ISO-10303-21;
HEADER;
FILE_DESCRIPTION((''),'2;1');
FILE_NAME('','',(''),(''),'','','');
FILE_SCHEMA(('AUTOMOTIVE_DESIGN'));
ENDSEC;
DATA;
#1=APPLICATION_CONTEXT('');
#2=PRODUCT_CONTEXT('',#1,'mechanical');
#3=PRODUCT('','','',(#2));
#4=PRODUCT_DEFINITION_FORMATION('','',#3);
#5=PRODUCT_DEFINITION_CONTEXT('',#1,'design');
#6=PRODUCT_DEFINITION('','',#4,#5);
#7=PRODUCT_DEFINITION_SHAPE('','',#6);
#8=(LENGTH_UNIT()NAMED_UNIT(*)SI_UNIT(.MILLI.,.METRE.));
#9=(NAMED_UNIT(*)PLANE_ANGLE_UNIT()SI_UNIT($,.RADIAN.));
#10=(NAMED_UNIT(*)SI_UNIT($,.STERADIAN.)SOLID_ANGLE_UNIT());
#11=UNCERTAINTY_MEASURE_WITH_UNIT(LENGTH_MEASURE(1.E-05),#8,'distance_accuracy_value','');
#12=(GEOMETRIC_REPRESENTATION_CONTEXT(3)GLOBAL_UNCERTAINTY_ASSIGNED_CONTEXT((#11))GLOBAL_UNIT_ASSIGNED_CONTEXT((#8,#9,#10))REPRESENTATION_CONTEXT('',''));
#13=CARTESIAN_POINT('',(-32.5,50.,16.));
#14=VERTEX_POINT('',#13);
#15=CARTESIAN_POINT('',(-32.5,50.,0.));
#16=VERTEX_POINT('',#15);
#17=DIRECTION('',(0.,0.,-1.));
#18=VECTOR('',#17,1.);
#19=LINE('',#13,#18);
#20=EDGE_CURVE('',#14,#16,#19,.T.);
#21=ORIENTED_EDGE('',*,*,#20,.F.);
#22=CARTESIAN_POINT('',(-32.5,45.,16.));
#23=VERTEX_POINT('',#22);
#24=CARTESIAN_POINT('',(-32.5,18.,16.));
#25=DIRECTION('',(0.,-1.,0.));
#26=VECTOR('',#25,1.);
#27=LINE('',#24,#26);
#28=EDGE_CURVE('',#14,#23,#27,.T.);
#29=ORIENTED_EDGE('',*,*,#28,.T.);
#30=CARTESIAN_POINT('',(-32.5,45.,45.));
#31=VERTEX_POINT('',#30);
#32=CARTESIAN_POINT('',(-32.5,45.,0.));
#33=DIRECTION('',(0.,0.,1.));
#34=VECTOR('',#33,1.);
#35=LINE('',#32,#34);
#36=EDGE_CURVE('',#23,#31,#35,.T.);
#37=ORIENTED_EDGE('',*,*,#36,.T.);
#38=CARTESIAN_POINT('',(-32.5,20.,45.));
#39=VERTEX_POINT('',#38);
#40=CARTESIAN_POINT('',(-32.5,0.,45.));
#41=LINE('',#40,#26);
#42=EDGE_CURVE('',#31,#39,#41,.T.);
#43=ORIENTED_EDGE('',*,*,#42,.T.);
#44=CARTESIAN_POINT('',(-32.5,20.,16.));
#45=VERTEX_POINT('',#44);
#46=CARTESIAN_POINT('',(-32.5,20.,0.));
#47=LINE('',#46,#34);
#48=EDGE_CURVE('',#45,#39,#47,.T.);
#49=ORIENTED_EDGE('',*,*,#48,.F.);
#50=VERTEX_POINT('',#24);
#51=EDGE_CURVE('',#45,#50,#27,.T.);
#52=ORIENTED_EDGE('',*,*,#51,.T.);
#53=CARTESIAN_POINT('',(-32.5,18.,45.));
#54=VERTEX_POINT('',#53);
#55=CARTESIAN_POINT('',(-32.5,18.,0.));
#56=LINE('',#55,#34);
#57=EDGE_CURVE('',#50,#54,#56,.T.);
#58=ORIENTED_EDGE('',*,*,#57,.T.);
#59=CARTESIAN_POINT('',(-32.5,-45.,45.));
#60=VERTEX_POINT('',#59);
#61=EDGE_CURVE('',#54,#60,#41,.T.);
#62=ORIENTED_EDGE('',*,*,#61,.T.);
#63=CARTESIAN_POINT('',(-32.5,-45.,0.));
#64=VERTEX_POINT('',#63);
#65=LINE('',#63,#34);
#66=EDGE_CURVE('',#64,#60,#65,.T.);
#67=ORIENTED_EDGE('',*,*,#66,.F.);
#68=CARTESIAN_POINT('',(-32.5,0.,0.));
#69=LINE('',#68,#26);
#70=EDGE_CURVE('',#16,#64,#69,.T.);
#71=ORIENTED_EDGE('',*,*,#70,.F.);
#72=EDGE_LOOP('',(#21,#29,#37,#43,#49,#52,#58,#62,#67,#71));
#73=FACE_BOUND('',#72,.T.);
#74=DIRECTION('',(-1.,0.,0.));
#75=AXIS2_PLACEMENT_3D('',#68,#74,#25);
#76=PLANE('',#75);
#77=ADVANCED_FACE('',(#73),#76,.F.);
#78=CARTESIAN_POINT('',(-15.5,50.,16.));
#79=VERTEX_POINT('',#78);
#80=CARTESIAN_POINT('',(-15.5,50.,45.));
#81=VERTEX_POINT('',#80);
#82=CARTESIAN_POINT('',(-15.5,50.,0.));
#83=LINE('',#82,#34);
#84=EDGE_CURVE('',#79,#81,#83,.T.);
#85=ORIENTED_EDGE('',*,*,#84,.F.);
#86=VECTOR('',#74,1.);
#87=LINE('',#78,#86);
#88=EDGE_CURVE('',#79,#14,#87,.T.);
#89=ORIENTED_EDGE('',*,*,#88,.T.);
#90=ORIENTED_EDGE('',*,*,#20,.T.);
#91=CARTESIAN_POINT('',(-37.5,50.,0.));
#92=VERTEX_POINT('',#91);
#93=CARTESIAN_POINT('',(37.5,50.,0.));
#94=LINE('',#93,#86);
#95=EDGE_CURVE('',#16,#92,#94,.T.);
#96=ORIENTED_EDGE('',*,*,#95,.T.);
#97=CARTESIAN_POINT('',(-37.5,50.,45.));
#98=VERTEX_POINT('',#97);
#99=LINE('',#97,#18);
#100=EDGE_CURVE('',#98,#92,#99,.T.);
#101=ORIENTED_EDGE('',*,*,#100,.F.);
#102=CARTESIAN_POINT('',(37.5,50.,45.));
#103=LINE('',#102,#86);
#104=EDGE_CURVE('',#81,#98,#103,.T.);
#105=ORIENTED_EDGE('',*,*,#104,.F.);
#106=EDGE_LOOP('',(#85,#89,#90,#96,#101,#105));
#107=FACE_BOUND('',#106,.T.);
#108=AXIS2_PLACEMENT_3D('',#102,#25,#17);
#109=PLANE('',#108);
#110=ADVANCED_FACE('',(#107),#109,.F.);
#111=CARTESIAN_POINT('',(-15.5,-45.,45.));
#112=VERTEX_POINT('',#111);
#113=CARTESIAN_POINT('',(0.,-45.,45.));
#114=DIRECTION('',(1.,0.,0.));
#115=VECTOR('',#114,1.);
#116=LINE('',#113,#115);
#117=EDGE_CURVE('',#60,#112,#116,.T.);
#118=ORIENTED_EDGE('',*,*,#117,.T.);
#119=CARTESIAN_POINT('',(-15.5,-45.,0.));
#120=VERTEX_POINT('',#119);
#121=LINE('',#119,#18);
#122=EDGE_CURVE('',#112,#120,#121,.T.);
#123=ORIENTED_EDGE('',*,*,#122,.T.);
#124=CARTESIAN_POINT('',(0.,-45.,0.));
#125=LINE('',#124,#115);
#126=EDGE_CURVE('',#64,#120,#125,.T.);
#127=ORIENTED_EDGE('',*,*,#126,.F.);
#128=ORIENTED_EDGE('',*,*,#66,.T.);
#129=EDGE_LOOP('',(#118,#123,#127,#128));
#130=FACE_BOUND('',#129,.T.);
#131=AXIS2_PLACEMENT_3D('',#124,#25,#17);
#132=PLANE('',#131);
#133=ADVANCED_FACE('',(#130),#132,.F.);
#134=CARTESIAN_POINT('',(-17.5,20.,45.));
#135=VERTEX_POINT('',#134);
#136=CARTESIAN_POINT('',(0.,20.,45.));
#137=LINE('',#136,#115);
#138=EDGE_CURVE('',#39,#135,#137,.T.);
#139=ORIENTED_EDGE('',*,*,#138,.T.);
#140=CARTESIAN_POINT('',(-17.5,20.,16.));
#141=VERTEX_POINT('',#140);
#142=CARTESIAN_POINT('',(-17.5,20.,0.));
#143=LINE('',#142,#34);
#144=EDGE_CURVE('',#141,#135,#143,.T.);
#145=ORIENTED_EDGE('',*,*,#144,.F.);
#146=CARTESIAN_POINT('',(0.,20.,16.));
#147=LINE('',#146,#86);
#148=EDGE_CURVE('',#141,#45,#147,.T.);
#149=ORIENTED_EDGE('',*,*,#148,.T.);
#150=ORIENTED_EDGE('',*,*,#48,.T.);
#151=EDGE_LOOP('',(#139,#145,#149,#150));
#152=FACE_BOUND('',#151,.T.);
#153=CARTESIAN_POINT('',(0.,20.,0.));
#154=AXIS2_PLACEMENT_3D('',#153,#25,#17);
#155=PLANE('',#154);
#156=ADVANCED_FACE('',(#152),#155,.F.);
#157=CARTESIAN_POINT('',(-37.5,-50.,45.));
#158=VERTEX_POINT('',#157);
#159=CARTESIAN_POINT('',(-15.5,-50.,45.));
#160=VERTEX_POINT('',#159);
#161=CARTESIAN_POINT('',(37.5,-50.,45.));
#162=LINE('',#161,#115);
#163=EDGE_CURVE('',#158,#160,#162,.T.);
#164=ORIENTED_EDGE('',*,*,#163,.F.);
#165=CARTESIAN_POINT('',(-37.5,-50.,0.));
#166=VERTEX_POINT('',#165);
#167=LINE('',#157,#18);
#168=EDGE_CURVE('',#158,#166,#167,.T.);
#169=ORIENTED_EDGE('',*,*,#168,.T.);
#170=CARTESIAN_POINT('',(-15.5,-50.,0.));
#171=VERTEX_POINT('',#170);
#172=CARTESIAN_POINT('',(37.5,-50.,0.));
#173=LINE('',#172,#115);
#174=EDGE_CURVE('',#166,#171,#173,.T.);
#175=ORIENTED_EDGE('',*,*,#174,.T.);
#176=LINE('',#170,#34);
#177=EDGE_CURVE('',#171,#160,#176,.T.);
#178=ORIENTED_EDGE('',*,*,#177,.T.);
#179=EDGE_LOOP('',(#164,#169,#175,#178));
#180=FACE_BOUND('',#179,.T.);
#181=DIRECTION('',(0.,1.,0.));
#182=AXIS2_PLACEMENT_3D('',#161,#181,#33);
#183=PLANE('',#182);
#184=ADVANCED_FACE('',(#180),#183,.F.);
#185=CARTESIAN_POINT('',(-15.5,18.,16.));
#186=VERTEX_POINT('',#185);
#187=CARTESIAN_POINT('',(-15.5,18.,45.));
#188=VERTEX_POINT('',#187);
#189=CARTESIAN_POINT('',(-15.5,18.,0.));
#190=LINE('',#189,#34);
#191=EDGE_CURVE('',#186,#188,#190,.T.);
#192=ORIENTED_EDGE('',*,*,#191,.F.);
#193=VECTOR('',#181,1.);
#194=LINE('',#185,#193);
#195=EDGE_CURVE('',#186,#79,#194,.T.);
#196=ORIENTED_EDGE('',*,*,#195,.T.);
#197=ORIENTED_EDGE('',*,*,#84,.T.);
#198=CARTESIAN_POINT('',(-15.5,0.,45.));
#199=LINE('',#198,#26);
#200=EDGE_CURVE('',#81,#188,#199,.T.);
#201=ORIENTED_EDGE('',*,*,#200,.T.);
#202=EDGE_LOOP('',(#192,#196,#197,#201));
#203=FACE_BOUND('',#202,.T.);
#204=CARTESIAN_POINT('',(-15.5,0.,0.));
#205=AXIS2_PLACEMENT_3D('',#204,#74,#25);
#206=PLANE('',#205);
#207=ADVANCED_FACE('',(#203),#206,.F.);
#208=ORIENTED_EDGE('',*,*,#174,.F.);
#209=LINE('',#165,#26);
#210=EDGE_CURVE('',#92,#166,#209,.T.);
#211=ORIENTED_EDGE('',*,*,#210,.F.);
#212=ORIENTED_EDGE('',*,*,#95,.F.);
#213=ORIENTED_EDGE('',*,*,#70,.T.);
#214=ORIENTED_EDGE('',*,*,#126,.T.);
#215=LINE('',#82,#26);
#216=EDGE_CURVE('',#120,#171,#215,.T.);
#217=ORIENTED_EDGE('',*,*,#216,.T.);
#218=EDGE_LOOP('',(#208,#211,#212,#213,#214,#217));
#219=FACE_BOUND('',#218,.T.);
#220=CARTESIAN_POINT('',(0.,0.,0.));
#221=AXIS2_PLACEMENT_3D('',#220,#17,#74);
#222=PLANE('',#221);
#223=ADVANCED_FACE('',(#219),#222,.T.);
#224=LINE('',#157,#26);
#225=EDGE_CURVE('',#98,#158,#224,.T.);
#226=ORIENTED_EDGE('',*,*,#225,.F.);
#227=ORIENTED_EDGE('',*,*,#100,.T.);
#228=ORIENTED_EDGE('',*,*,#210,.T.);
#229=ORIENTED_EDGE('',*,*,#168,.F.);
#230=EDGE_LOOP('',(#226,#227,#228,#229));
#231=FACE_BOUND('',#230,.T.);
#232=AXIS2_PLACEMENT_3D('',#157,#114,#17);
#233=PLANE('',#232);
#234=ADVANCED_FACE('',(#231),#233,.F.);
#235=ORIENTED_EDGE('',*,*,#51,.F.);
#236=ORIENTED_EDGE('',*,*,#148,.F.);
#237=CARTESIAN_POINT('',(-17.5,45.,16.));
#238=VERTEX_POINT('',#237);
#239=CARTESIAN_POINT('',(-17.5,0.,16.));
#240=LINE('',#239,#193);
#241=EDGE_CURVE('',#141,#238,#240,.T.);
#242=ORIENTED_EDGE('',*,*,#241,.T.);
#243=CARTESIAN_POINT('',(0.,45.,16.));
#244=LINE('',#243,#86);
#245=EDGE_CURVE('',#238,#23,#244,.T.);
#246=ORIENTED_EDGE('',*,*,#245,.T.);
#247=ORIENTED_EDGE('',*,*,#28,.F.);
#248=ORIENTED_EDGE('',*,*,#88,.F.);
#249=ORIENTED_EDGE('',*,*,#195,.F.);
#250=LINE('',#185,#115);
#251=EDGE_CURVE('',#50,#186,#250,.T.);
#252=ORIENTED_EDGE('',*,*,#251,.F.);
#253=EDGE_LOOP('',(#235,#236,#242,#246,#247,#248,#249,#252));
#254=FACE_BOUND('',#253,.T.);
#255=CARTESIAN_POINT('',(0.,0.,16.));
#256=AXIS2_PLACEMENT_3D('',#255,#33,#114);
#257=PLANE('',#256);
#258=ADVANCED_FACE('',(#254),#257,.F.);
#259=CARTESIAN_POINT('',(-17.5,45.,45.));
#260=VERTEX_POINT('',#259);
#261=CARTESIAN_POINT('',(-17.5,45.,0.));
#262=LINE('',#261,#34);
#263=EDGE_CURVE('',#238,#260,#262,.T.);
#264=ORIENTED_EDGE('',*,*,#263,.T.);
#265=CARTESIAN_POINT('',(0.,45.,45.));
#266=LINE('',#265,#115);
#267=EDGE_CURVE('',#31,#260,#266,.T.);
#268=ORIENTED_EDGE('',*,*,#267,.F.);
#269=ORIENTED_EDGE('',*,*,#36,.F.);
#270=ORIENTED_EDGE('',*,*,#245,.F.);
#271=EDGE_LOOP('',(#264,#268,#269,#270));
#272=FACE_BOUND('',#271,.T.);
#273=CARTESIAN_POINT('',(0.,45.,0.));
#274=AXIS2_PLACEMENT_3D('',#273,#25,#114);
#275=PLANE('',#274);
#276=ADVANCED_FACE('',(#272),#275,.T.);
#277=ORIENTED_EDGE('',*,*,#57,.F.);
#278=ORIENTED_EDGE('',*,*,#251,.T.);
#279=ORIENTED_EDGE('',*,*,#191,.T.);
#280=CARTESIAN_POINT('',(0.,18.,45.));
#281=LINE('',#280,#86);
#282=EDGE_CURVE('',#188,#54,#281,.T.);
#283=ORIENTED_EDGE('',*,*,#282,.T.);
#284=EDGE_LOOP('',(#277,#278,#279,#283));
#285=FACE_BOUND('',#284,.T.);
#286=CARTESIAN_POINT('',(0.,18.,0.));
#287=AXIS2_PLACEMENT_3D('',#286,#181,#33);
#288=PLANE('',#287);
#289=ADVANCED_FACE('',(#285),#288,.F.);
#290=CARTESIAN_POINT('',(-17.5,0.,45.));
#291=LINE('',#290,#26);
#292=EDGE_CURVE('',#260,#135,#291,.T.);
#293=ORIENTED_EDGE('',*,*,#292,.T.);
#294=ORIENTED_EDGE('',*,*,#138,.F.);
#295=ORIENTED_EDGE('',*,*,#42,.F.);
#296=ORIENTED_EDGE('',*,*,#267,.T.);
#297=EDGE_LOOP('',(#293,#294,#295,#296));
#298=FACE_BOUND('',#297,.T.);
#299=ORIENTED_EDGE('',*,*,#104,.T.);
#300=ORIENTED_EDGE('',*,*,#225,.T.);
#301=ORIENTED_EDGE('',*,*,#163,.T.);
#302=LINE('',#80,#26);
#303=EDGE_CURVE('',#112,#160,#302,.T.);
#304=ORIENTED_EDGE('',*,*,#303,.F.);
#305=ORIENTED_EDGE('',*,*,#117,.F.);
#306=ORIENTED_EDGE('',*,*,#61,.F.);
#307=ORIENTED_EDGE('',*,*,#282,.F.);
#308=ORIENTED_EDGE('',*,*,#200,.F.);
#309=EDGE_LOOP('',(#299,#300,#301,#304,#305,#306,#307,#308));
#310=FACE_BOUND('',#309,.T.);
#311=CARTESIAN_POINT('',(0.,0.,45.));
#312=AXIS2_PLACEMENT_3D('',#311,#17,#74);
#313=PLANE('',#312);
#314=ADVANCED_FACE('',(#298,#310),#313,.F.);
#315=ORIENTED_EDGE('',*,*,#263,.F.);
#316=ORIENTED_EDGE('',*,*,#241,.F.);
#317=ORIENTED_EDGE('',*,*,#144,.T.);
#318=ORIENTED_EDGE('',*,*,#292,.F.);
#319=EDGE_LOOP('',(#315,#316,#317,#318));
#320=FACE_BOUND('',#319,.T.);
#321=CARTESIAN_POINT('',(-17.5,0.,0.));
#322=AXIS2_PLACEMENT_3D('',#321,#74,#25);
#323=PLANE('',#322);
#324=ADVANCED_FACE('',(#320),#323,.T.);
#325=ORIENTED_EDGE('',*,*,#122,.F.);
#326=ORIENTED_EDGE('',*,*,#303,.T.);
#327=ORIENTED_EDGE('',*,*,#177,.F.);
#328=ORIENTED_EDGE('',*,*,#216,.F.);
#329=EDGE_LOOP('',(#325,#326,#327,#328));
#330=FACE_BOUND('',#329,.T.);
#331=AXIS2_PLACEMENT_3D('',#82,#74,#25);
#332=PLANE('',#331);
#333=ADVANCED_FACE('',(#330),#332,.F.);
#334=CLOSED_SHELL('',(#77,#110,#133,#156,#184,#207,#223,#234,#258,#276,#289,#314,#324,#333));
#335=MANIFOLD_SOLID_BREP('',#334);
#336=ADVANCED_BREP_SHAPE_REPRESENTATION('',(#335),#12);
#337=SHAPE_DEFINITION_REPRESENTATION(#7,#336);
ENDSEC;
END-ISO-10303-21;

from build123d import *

# Parameters (mm, degrees)
SKETCH1_W           = 100
SKETCH1_H           = 75
BOSS_EXTRUDE1_DEPTH = 45
SKETCH2_W           = 15
SKETCH2_H           = 25
CUT_EXTRUDE1_DEPTH  = 78.014609004
SKETCH3_W           = 30.197143083
SKETCH3_H           = 100
CUT_EXTRUDE2_DEPTH  = 78.014609004
SKETCH4_W           = 17
SKETCH4_H           = 32
CUT_EXTRUDE3_DEPTH  = 16


with BuildPart() as part:
    # Sketch1 → Boss-Extrude1 (new body)
    with BuildSketch(Plane(origin=(0, 0, 0), x_dir=(0, 1, 0), z_dir=(0, 0, 1))):
        Rectangle(SKETCH1_W, SKETCH1_H)
    extrude(amount=BOSS_EXTRUDE1_DEPTH)

    # Sketch2 → Cut-Extrude1 (cut, through all)
    with BuildSketch(Plane.XY.offset(45)):
        Polygon((-15.5, 18), (-32.5, 18), (-32.5, -45), (32.5, -45), (32.5, 45), (-15.5, 45), (-15.5, 20), align=None)
        with Locations((-25, 32.5)):
            Rectangle(SKETCH2_W, SKETCH2_H)
    extrude(amount=-CUT_EXTRUDE1_DEPTH, mode=Mode.SUBTRACT)

    # Sketch3 → Cut-Extrude2 (cut, through all)
    with BuildSketch(Plane.XY.offset(45)):
        with Locations((-0.401428459, 0)):
            Rectangle(SKETCH3_W, SKETCH3_H)
    extrude(amount=-CUT_EXTRUDE2_DEPTH, mode=Mode.SUBTRACT)


with BuildPart() as cut_extrude2_kept_piece:
    # of the separate pieces the step leaves, the one the design keeps (cut_extrude2_pieces_kept)
    add(part.part.solids().sort_by_distance((-37.5, -50, 0))[0])

    # Sketch4 → Cut-Extrude3 (cut)
    with BuildSketch(Plane.XY):
        with Locations((-24, 34)):
            Rectangle(SKETCH4_W, SKETCH4_H)
    extrude(amount=CUT_EXTRUDE3_DEPTH, mode=Mode.SUBTRACT)


solid = cut_extrude2_kept_piece.part
